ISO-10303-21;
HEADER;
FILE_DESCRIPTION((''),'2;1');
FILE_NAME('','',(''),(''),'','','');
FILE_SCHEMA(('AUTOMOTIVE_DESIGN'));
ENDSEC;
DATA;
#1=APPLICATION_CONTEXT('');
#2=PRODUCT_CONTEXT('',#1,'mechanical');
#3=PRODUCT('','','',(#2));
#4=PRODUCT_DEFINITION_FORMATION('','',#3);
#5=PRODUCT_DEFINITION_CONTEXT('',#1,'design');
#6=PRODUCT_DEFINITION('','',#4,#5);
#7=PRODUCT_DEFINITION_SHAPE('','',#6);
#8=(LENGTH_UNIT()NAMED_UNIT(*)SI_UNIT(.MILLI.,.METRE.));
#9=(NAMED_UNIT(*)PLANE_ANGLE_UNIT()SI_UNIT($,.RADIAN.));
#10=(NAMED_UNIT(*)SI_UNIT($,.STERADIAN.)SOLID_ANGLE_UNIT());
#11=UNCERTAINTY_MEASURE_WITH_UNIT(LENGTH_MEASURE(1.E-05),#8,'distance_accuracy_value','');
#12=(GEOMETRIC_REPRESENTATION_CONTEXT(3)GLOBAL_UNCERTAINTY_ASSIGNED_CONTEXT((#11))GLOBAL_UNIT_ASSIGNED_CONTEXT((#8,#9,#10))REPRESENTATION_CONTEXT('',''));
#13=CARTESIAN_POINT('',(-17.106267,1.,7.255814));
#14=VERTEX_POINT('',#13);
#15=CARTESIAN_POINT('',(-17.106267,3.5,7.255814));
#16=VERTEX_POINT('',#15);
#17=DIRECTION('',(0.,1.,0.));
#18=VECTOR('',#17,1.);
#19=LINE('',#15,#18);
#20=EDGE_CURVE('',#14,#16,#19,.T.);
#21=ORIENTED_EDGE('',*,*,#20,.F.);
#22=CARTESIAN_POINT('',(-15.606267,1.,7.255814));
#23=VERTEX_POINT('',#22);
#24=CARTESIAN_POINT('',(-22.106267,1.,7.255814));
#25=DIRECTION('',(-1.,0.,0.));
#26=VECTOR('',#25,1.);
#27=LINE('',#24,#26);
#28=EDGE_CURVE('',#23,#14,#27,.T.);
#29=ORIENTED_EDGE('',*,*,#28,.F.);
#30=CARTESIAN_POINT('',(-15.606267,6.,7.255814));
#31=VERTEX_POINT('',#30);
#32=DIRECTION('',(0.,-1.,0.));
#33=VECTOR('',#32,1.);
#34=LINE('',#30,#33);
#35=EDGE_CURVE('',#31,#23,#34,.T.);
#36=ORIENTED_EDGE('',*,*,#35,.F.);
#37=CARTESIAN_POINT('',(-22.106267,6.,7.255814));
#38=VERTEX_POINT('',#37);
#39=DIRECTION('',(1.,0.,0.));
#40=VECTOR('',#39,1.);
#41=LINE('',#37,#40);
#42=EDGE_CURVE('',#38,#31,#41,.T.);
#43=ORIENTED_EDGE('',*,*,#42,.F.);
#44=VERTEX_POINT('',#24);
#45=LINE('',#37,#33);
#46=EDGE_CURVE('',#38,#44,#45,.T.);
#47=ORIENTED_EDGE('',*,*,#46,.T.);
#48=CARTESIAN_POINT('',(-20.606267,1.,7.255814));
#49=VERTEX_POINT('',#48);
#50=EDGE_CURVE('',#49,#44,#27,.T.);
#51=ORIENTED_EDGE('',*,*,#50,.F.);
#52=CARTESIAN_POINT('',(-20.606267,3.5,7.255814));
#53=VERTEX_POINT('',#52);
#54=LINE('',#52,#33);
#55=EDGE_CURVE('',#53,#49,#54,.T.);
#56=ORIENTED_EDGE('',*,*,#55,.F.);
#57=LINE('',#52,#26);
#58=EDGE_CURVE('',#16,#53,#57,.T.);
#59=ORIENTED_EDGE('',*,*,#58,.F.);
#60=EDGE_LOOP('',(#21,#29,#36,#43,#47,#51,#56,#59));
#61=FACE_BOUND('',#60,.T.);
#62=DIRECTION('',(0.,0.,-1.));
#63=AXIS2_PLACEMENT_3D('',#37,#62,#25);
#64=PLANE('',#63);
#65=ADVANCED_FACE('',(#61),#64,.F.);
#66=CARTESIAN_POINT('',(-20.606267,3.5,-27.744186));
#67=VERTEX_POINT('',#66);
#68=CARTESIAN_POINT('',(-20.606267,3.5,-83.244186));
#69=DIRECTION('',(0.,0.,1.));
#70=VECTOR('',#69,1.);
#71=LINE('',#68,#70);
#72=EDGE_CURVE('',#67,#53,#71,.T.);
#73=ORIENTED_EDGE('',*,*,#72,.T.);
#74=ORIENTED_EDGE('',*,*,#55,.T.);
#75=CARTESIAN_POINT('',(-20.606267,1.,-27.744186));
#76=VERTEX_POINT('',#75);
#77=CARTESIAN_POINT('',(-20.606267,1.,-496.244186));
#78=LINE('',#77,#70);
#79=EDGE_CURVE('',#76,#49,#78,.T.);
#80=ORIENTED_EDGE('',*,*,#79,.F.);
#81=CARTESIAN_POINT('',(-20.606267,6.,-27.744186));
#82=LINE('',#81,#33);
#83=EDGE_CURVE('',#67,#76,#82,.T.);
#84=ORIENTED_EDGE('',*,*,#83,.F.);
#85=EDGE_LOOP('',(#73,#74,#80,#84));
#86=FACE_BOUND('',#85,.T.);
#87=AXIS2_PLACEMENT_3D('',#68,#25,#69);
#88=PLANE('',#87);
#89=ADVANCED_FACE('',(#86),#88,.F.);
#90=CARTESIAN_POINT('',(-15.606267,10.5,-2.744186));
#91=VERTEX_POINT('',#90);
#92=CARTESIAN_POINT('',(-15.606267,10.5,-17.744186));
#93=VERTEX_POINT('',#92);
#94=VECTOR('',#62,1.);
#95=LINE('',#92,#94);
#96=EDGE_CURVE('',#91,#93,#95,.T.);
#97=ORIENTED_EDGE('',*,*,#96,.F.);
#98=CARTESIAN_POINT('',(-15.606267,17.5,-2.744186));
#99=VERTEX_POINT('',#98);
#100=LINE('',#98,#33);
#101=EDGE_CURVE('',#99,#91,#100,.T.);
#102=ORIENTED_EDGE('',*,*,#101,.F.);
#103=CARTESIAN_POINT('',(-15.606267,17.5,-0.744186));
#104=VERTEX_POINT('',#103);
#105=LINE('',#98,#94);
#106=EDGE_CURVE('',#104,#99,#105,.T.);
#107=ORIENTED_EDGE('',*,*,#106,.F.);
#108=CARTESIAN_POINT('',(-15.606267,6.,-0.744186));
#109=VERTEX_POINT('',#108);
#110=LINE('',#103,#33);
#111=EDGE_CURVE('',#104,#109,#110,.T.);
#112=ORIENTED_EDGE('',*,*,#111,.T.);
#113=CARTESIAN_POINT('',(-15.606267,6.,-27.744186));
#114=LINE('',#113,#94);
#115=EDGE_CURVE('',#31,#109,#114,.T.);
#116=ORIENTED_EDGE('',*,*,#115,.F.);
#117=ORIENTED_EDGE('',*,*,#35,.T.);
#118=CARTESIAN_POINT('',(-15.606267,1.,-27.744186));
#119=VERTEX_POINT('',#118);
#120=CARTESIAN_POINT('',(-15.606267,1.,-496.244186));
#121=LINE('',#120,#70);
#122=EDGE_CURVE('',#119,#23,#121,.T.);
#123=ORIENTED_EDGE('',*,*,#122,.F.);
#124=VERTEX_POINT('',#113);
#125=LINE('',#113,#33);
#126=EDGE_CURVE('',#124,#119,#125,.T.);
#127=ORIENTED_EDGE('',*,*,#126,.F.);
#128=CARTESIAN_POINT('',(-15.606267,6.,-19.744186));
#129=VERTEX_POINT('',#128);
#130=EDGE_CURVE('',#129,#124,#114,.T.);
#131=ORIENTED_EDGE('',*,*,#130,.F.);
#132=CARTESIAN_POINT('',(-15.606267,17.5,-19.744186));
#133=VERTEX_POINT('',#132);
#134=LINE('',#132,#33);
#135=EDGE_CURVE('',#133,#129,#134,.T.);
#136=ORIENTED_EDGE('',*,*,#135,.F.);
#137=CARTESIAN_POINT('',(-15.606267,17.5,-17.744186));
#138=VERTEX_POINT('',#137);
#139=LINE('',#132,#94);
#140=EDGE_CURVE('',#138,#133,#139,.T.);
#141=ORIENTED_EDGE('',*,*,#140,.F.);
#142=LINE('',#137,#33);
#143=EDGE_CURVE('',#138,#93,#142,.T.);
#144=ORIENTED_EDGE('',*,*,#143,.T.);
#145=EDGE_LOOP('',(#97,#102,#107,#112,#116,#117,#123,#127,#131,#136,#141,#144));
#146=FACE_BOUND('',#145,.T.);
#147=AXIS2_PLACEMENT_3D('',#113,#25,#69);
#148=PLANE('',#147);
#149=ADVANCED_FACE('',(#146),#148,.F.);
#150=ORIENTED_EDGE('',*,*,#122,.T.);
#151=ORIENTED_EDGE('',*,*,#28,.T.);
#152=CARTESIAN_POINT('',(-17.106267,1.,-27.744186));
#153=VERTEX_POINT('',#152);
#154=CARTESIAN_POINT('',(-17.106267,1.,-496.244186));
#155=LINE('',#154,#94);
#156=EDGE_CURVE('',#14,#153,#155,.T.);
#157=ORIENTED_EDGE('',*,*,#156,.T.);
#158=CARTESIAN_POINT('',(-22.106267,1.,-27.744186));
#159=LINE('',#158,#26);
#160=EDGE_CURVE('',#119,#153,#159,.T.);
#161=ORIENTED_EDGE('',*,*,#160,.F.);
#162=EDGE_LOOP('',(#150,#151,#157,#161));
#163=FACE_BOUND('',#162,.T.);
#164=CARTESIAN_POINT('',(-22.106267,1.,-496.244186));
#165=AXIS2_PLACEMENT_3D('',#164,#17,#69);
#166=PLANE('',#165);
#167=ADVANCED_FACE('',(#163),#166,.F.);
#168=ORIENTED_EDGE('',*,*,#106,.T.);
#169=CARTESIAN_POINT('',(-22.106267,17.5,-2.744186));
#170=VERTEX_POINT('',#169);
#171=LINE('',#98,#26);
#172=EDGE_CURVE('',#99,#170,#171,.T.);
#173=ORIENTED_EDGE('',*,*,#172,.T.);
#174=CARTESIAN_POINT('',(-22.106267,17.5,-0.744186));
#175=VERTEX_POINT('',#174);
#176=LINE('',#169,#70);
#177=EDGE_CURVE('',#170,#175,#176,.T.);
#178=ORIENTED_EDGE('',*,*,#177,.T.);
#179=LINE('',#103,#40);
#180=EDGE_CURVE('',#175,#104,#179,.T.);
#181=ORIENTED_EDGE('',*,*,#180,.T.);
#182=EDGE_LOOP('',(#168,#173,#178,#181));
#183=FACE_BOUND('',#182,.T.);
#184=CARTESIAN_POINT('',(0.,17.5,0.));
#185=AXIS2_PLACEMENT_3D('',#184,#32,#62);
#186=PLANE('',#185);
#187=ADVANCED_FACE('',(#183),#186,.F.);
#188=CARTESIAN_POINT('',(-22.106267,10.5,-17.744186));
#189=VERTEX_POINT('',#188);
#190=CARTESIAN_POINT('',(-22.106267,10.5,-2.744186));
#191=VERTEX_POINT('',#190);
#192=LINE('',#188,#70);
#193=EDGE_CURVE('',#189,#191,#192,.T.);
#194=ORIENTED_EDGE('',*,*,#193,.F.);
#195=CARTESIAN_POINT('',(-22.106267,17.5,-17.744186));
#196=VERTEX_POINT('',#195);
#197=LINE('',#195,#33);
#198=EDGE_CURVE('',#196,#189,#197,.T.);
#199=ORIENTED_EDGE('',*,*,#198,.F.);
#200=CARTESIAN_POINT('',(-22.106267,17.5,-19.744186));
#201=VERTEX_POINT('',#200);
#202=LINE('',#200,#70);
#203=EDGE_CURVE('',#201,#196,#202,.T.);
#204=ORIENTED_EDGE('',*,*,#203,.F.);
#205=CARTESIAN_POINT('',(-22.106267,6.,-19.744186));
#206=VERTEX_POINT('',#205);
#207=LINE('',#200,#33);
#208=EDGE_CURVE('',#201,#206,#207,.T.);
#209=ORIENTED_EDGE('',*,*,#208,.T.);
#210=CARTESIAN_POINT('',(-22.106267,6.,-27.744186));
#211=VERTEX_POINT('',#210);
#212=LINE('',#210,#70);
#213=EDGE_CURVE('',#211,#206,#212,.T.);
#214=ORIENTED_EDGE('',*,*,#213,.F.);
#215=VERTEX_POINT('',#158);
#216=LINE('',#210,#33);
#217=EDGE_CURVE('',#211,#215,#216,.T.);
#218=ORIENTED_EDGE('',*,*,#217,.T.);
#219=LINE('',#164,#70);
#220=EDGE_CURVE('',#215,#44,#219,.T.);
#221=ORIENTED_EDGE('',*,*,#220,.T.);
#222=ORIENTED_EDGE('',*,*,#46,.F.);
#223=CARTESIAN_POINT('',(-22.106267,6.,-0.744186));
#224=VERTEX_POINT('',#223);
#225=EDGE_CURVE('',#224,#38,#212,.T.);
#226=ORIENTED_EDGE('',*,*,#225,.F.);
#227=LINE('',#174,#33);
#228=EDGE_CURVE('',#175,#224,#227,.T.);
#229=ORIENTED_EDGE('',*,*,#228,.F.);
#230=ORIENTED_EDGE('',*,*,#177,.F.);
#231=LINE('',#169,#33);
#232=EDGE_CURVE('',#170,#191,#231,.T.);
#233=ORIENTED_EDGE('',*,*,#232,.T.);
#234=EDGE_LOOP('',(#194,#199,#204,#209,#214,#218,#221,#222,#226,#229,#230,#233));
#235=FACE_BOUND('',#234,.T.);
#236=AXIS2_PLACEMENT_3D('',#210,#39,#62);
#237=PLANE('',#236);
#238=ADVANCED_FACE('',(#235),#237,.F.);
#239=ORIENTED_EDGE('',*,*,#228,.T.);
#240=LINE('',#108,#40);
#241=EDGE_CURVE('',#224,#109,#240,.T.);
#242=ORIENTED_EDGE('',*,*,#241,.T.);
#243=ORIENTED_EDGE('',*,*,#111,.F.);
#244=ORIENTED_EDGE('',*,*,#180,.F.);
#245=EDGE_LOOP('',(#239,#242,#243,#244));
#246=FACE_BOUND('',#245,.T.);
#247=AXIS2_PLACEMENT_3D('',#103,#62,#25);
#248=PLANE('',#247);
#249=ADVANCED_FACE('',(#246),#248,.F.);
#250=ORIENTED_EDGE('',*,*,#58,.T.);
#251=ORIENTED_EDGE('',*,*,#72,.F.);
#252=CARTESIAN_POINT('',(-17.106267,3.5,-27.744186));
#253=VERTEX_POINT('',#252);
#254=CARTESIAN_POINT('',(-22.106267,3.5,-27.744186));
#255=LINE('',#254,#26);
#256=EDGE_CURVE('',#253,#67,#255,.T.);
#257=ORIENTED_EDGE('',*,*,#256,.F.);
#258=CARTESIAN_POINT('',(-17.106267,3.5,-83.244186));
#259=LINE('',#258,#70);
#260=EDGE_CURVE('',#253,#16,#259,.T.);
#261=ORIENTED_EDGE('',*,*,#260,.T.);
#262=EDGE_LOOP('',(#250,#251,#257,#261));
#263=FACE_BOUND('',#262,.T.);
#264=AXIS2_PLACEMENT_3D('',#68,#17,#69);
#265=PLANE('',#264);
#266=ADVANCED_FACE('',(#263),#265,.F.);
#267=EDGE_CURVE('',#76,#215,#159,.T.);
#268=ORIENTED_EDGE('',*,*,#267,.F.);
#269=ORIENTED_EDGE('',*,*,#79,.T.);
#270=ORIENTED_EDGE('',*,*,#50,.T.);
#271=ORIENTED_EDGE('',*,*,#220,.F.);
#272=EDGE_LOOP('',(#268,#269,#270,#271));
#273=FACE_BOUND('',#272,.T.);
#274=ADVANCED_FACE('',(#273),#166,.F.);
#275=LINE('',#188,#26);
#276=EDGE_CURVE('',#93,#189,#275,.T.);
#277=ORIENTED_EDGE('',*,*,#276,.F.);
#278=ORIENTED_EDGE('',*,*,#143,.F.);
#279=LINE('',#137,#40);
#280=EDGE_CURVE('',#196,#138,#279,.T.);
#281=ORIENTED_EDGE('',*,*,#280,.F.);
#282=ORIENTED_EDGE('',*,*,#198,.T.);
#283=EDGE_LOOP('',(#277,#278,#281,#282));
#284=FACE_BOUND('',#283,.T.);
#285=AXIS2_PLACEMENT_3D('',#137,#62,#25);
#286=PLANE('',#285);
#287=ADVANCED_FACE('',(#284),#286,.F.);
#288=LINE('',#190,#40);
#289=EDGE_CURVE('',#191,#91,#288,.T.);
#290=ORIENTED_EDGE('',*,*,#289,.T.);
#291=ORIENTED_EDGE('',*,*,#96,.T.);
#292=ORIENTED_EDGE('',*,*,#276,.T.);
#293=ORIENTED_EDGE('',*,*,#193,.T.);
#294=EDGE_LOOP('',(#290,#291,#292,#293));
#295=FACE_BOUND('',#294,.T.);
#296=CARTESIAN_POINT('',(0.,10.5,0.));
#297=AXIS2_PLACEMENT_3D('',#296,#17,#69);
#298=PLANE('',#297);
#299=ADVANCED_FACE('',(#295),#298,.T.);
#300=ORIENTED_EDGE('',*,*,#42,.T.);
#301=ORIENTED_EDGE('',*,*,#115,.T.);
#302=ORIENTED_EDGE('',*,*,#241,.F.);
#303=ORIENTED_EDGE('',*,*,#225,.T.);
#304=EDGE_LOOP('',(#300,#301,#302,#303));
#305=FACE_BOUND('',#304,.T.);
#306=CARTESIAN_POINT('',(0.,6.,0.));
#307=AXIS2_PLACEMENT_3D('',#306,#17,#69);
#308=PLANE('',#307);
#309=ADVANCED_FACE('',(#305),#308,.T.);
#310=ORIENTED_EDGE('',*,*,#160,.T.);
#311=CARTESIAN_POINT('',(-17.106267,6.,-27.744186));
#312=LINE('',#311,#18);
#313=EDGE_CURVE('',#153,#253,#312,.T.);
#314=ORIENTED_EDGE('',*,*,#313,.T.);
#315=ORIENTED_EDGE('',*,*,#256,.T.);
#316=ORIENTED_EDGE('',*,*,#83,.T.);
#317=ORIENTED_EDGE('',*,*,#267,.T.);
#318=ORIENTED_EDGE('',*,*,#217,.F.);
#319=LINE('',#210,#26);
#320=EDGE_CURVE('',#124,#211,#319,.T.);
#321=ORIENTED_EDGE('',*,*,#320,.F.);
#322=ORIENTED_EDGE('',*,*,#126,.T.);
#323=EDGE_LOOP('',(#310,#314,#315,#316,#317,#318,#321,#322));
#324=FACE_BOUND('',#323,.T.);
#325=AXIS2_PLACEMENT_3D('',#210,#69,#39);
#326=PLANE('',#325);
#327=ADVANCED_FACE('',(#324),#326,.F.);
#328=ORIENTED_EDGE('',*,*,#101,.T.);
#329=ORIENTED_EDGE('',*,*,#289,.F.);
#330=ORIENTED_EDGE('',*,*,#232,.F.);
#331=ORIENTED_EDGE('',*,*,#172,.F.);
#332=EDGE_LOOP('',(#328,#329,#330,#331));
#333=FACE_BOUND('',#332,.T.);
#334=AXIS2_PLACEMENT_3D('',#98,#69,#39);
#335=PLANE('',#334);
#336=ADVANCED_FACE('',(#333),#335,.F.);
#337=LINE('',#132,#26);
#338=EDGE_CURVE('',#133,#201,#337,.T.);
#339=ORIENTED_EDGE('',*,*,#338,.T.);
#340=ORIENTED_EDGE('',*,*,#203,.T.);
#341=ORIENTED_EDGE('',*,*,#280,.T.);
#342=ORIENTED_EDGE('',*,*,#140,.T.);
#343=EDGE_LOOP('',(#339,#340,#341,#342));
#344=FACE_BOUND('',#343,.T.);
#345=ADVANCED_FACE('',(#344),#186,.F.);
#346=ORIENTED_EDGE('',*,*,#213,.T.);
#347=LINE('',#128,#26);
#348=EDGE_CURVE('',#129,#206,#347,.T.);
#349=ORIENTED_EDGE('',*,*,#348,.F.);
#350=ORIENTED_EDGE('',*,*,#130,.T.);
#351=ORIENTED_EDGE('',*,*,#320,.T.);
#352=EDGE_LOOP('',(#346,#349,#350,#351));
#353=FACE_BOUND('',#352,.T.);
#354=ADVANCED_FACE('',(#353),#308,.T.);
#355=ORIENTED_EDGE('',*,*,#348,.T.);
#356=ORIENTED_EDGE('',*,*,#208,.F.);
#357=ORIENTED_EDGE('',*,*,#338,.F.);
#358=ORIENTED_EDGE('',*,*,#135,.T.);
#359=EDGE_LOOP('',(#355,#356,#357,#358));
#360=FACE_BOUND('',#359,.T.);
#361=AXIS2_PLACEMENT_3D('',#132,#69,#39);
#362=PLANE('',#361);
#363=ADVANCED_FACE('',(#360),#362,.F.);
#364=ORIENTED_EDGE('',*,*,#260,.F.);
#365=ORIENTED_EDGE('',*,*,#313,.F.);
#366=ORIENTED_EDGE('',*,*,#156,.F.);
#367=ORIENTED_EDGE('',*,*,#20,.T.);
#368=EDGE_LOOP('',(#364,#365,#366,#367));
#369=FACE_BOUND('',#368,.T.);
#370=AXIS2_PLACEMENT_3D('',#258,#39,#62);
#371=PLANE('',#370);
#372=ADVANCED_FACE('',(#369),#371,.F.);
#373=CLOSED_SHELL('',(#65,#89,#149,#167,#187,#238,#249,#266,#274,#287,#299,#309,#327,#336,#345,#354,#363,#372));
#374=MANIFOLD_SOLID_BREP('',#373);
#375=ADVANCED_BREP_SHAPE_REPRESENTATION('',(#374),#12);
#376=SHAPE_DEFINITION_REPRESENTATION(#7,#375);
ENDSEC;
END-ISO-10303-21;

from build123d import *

# Parameters (mm, degrees)
SKETCH_1_W          = 6.5
SKETCH_1_H          = 35
EXTRUDE_1_DEPTH     = 6
SKETCH_2_W          = 2.5
SKETCH_2_H          = 2.967804408
CUT_EXTRUDE_1_DEPTH = 61
SKETCH_3_W          = 6.5
SKETCH_3_H          = 15
EXTRUDE_2_DEPTH     = 4.5
SKETCH_4_W          = 6.5
SKETCH_4_H          = 1
CUT_EXTRUDE_2_DEPTH = 503.5
SKETCH_5_W          = 6.5
SKETCH_5_H          = 2
EXTRUDE_3_DEPTH     = 11.5
SKETCH_6_W          = 6.5
SKETCH_6_H          = 2
EXTRUDE_4_DEPTH     = 11.5
SKETCH_7_W          = 3.5
SKETCH_7_H          = 2.5
CUT_EXTRUDE_3_DEPTH = 90.5


with BuildPart() as part:
    # Эскиз1 → Бобышка-Вытянуть1 (new body)
    with BuildSketch(Plane(origin=(0, 0, 0), x_dir=(1, 0, 0), z_dir=(0, 1, 0))):
        with Locations((-18.856267111, 10.244186047)):
            Rectangle(SKETCH_1_W, SKETCH_1_H)
    extrude(amount=EXTRUDE_1_DEPTH)

    # Эскиз2 → Вырез-Вытянуть1 (cut)
    with BuildSketch(Plane.XY.offset(7.255813953)):
        with Locations((-18.856267111, 1.483902204)):
            Rectangle(SKETCH_2_W, SKETCH_2_H)
    extrude(amount=-CUT_EXTRUDE_1_DEPTH, mode=Mode.SUBTRACT)

    # Эскиз3 → Бобышка-Вытянуть2 (add)
    with BuildSketch(Plane(origin=(0, 6, 0), x_dir=(1, 0, 0), z_dir=(0, 1, 0))):
        with Locations((-18.856267111, 10.244186047)):
            Rectangle(SKETCH_3_W, SKETCH_3_H)
    extrude(amount=EXTRUDE_2_DEPTH)

    # Эскиз4 → Вырез-Вытянуть2 (cut)
    with BuildSketch(Plane.XY.offset(7.255813953)):
        with Locations((-18.856267111, 0.5)):
            Rectangle(SKETCH_4_W, SKETCH_4_H)
    extrude(amount=-CUT_EXTRUDE_2_DEPTH, mode=Mode.SUBTRACT)

    # Эскиз5 → Бобышка-Вытянуть3 (add)
    with BuildSketch(Plane(origin=(0, 6, 0), x_dir=(1, 0, 0), z_dir=(0, 1, 0))):
        with Locations((-18.856267111, 18.744186047)):
            Rectangle(SKETCH_5_W, SKETCH_5_H)
    extrude(amount=EXTRUDE_3_DEPTH)

    # Эскиз6 → Бобышка-Вытянуть4 (add)
    with BuildSketch(Plane(origin=(0, 6, 0), x_dir=(1, 0, 0), z_dir=(0, 1, 0))):
        with Locations((-18.856267111, 1.744186047)):
            Rectangle(SKETCH_6_W, SKETCH_6_H)
    extrude(amount=EXTRUDE_4_DEPTH)

    # Эскиз7 → Вырез-Вытянуть3 (cut)
    with BuildSketch(Plane.XY.offset(7.255813953)):
        with Locations((-18.856267111, 2.25)):
            Rectangle(SKETCH_7_W, SKETCH_7_H)
    extrude(amount=-CUT_EXTRUDE_3_DEPTH, mode=Mode.SUBTRACT)


solid = part.part
